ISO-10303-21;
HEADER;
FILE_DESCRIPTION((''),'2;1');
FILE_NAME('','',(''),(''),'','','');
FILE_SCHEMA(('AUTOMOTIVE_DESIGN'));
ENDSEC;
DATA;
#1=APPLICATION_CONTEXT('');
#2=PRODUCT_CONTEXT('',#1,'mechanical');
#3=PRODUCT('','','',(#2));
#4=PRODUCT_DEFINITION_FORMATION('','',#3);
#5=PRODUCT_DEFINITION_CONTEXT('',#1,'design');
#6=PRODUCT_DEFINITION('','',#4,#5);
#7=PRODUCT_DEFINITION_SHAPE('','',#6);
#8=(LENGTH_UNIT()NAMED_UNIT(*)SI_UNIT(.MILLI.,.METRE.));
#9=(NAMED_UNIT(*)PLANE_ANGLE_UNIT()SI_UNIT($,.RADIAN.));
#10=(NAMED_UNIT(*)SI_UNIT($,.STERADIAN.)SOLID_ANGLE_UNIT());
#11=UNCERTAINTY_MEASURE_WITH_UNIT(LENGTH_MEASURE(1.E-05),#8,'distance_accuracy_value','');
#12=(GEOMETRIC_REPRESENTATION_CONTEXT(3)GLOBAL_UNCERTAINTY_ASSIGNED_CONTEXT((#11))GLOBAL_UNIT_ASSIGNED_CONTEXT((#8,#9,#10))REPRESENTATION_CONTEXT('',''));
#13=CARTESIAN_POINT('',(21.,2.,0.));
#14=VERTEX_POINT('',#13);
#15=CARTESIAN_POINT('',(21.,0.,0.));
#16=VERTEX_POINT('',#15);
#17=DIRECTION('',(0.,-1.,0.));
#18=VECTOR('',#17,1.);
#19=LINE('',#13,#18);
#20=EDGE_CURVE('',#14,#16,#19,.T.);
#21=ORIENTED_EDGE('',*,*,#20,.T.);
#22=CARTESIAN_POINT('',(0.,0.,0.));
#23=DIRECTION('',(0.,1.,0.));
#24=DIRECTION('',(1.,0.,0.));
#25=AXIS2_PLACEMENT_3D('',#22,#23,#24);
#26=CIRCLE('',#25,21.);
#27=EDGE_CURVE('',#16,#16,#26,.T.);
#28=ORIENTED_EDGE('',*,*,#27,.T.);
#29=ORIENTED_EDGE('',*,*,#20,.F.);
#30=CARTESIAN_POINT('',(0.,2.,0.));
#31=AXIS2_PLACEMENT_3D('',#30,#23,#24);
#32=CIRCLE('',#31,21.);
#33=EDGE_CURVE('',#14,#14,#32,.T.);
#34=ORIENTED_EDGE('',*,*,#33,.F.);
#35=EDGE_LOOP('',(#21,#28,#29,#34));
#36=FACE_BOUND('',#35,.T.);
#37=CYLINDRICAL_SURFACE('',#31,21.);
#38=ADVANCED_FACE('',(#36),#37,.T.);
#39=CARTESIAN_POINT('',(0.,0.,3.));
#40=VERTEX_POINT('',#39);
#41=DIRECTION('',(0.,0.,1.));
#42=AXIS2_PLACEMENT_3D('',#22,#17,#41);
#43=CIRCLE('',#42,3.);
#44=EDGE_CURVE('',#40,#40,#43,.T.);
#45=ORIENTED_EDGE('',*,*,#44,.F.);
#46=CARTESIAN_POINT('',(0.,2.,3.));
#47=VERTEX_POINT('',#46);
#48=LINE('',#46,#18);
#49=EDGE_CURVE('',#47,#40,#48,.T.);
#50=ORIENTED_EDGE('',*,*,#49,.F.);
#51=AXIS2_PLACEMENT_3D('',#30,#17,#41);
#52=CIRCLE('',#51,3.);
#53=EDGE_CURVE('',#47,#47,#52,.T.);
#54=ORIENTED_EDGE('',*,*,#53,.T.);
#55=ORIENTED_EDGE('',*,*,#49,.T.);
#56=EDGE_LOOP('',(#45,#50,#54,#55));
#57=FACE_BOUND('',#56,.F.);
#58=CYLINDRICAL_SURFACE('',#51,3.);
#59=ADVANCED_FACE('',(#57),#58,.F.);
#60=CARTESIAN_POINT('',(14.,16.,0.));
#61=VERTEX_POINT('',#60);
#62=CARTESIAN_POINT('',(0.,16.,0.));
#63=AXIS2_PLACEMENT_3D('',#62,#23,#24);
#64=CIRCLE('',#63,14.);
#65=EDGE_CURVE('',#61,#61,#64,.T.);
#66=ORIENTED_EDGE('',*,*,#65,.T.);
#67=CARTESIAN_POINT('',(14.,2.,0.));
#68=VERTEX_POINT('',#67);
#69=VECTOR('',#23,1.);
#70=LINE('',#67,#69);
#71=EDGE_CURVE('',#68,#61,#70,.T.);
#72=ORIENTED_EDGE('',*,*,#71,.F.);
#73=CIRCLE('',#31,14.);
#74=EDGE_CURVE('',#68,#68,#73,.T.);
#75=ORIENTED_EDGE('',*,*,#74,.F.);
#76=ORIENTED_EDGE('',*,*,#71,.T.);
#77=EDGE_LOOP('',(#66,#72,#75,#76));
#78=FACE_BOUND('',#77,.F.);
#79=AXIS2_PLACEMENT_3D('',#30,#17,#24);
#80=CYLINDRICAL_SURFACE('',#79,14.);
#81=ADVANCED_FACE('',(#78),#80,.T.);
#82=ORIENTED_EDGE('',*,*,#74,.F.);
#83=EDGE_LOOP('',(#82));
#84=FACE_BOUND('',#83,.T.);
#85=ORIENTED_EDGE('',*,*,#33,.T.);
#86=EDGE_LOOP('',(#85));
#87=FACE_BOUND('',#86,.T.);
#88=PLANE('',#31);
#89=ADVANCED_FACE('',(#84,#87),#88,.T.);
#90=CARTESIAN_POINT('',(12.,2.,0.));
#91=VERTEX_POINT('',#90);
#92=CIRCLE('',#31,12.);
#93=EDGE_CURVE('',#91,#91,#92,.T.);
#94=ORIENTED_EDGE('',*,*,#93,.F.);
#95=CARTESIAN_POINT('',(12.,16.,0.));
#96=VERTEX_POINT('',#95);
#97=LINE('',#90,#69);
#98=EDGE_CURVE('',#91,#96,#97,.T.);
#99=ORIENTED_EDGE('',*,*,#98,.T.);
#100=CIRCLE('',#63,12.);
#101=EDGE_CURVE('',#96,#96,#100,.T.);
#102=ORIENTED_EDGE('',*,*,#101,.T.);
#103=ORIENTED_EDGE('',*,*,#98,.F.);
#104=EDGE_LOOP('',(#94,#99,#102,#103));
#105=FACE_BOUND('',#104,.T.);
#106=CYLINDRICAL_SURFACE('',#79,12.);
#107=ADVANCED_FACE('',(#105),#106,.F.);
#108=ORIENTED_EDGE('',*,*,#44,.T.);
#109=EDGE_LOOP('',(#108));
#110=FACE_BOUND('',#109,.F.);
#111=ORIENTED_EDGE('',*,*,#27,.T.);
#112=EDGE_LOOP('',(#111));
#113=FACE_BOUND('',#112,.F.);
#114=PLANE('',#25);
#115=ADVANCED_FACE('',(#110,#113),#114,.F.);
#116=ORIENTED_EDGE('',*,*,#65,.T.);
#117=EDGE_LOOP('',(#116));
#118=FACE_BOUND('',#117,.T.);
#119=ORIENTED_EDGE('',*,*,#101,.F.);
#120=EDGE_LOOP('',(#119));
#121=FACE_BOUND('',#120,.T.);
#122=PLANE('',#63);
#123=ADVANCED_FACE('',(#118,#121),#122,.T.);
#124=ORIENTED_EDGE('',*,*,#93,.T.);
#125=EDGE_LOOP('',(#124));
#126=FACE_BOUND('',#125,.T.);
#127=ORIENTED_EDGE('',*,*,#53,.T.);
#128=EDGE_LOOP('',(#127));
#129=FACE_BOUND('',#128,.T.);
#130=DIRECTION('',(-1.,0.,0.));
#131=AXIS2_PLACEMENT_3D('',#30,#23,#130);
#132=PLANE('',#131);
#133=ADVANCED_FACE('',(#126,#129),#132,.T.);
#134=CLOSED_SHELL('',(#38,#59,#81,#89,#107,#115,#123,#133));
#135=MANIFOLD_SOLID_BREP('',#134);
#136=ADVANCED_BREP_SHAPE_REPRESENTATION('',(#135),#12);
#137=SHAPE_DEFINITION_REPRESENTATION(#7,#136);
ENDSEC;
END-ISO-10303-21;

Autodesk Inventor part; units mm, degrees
ref_plane "YZ Plane" through (0, 0, 0) normal (1, 0, 0) x (0, 1, 0)
ref_plane "XZ Plane" through (0, 0, 0) normal (0, 1, 0) x (-1, 0, 0)
ref_plane "XY Plane" through (0, 0, 0) normal (0, 0, 1) x (1, 0, 0)
sketch "Sketch1" plane through (0, 0, 0) normal (0, 1, 0) x (-1, 0, 0)
  circle A0 centre (0, 0) radius 18
  dimension "d0" = 36
extrude "Extrusion1" add sketch "Sketch1" along normal blind 2
sketch "Sketch2" plane through (0, 2, 0) normal (0, 1, 0) x (1, 0, 0)
  circle A0 centre (0, 0) radius 12
  circle A1 centre (0, 0) radius 14
  dimension "d5" = 24
  dimension "d6" = 28
extrude "Extrusion2" add sketch "Sketch2" along normal blind 14
sketch "Sketch3" plane through (0, 2, 0) normal (0, 1, 0) x (1, 0, 0)
  circle A0 centre (0, 0) radius 3
  dimension "d9" = 6
hole "Hole1" at (0, 2, 0) direction (0, -1, 0) diameter 6 end through all
sketch "Sketch4" plane through (0, 2, 0) normal (0, 1, 0) x (1, 0, 0)
  circle A0 centre (0, 0) radius 21
  dimension "d17" = 42
extrude "Extrusion3" add sketch "Sketch4" against normal blind 2
sketch "Sketch5" plane through (0, 2, 0) normal (0, 1, 0) x (1, 0, 0)
  point P0 (0, 0)
  point P1 (0, 0)
hole "Hole2" at (0, 2, 0) direction (0, -1, 0) diameter 6 end through all
properties part number "foot_bearings_holder" material "PET Plastic"
